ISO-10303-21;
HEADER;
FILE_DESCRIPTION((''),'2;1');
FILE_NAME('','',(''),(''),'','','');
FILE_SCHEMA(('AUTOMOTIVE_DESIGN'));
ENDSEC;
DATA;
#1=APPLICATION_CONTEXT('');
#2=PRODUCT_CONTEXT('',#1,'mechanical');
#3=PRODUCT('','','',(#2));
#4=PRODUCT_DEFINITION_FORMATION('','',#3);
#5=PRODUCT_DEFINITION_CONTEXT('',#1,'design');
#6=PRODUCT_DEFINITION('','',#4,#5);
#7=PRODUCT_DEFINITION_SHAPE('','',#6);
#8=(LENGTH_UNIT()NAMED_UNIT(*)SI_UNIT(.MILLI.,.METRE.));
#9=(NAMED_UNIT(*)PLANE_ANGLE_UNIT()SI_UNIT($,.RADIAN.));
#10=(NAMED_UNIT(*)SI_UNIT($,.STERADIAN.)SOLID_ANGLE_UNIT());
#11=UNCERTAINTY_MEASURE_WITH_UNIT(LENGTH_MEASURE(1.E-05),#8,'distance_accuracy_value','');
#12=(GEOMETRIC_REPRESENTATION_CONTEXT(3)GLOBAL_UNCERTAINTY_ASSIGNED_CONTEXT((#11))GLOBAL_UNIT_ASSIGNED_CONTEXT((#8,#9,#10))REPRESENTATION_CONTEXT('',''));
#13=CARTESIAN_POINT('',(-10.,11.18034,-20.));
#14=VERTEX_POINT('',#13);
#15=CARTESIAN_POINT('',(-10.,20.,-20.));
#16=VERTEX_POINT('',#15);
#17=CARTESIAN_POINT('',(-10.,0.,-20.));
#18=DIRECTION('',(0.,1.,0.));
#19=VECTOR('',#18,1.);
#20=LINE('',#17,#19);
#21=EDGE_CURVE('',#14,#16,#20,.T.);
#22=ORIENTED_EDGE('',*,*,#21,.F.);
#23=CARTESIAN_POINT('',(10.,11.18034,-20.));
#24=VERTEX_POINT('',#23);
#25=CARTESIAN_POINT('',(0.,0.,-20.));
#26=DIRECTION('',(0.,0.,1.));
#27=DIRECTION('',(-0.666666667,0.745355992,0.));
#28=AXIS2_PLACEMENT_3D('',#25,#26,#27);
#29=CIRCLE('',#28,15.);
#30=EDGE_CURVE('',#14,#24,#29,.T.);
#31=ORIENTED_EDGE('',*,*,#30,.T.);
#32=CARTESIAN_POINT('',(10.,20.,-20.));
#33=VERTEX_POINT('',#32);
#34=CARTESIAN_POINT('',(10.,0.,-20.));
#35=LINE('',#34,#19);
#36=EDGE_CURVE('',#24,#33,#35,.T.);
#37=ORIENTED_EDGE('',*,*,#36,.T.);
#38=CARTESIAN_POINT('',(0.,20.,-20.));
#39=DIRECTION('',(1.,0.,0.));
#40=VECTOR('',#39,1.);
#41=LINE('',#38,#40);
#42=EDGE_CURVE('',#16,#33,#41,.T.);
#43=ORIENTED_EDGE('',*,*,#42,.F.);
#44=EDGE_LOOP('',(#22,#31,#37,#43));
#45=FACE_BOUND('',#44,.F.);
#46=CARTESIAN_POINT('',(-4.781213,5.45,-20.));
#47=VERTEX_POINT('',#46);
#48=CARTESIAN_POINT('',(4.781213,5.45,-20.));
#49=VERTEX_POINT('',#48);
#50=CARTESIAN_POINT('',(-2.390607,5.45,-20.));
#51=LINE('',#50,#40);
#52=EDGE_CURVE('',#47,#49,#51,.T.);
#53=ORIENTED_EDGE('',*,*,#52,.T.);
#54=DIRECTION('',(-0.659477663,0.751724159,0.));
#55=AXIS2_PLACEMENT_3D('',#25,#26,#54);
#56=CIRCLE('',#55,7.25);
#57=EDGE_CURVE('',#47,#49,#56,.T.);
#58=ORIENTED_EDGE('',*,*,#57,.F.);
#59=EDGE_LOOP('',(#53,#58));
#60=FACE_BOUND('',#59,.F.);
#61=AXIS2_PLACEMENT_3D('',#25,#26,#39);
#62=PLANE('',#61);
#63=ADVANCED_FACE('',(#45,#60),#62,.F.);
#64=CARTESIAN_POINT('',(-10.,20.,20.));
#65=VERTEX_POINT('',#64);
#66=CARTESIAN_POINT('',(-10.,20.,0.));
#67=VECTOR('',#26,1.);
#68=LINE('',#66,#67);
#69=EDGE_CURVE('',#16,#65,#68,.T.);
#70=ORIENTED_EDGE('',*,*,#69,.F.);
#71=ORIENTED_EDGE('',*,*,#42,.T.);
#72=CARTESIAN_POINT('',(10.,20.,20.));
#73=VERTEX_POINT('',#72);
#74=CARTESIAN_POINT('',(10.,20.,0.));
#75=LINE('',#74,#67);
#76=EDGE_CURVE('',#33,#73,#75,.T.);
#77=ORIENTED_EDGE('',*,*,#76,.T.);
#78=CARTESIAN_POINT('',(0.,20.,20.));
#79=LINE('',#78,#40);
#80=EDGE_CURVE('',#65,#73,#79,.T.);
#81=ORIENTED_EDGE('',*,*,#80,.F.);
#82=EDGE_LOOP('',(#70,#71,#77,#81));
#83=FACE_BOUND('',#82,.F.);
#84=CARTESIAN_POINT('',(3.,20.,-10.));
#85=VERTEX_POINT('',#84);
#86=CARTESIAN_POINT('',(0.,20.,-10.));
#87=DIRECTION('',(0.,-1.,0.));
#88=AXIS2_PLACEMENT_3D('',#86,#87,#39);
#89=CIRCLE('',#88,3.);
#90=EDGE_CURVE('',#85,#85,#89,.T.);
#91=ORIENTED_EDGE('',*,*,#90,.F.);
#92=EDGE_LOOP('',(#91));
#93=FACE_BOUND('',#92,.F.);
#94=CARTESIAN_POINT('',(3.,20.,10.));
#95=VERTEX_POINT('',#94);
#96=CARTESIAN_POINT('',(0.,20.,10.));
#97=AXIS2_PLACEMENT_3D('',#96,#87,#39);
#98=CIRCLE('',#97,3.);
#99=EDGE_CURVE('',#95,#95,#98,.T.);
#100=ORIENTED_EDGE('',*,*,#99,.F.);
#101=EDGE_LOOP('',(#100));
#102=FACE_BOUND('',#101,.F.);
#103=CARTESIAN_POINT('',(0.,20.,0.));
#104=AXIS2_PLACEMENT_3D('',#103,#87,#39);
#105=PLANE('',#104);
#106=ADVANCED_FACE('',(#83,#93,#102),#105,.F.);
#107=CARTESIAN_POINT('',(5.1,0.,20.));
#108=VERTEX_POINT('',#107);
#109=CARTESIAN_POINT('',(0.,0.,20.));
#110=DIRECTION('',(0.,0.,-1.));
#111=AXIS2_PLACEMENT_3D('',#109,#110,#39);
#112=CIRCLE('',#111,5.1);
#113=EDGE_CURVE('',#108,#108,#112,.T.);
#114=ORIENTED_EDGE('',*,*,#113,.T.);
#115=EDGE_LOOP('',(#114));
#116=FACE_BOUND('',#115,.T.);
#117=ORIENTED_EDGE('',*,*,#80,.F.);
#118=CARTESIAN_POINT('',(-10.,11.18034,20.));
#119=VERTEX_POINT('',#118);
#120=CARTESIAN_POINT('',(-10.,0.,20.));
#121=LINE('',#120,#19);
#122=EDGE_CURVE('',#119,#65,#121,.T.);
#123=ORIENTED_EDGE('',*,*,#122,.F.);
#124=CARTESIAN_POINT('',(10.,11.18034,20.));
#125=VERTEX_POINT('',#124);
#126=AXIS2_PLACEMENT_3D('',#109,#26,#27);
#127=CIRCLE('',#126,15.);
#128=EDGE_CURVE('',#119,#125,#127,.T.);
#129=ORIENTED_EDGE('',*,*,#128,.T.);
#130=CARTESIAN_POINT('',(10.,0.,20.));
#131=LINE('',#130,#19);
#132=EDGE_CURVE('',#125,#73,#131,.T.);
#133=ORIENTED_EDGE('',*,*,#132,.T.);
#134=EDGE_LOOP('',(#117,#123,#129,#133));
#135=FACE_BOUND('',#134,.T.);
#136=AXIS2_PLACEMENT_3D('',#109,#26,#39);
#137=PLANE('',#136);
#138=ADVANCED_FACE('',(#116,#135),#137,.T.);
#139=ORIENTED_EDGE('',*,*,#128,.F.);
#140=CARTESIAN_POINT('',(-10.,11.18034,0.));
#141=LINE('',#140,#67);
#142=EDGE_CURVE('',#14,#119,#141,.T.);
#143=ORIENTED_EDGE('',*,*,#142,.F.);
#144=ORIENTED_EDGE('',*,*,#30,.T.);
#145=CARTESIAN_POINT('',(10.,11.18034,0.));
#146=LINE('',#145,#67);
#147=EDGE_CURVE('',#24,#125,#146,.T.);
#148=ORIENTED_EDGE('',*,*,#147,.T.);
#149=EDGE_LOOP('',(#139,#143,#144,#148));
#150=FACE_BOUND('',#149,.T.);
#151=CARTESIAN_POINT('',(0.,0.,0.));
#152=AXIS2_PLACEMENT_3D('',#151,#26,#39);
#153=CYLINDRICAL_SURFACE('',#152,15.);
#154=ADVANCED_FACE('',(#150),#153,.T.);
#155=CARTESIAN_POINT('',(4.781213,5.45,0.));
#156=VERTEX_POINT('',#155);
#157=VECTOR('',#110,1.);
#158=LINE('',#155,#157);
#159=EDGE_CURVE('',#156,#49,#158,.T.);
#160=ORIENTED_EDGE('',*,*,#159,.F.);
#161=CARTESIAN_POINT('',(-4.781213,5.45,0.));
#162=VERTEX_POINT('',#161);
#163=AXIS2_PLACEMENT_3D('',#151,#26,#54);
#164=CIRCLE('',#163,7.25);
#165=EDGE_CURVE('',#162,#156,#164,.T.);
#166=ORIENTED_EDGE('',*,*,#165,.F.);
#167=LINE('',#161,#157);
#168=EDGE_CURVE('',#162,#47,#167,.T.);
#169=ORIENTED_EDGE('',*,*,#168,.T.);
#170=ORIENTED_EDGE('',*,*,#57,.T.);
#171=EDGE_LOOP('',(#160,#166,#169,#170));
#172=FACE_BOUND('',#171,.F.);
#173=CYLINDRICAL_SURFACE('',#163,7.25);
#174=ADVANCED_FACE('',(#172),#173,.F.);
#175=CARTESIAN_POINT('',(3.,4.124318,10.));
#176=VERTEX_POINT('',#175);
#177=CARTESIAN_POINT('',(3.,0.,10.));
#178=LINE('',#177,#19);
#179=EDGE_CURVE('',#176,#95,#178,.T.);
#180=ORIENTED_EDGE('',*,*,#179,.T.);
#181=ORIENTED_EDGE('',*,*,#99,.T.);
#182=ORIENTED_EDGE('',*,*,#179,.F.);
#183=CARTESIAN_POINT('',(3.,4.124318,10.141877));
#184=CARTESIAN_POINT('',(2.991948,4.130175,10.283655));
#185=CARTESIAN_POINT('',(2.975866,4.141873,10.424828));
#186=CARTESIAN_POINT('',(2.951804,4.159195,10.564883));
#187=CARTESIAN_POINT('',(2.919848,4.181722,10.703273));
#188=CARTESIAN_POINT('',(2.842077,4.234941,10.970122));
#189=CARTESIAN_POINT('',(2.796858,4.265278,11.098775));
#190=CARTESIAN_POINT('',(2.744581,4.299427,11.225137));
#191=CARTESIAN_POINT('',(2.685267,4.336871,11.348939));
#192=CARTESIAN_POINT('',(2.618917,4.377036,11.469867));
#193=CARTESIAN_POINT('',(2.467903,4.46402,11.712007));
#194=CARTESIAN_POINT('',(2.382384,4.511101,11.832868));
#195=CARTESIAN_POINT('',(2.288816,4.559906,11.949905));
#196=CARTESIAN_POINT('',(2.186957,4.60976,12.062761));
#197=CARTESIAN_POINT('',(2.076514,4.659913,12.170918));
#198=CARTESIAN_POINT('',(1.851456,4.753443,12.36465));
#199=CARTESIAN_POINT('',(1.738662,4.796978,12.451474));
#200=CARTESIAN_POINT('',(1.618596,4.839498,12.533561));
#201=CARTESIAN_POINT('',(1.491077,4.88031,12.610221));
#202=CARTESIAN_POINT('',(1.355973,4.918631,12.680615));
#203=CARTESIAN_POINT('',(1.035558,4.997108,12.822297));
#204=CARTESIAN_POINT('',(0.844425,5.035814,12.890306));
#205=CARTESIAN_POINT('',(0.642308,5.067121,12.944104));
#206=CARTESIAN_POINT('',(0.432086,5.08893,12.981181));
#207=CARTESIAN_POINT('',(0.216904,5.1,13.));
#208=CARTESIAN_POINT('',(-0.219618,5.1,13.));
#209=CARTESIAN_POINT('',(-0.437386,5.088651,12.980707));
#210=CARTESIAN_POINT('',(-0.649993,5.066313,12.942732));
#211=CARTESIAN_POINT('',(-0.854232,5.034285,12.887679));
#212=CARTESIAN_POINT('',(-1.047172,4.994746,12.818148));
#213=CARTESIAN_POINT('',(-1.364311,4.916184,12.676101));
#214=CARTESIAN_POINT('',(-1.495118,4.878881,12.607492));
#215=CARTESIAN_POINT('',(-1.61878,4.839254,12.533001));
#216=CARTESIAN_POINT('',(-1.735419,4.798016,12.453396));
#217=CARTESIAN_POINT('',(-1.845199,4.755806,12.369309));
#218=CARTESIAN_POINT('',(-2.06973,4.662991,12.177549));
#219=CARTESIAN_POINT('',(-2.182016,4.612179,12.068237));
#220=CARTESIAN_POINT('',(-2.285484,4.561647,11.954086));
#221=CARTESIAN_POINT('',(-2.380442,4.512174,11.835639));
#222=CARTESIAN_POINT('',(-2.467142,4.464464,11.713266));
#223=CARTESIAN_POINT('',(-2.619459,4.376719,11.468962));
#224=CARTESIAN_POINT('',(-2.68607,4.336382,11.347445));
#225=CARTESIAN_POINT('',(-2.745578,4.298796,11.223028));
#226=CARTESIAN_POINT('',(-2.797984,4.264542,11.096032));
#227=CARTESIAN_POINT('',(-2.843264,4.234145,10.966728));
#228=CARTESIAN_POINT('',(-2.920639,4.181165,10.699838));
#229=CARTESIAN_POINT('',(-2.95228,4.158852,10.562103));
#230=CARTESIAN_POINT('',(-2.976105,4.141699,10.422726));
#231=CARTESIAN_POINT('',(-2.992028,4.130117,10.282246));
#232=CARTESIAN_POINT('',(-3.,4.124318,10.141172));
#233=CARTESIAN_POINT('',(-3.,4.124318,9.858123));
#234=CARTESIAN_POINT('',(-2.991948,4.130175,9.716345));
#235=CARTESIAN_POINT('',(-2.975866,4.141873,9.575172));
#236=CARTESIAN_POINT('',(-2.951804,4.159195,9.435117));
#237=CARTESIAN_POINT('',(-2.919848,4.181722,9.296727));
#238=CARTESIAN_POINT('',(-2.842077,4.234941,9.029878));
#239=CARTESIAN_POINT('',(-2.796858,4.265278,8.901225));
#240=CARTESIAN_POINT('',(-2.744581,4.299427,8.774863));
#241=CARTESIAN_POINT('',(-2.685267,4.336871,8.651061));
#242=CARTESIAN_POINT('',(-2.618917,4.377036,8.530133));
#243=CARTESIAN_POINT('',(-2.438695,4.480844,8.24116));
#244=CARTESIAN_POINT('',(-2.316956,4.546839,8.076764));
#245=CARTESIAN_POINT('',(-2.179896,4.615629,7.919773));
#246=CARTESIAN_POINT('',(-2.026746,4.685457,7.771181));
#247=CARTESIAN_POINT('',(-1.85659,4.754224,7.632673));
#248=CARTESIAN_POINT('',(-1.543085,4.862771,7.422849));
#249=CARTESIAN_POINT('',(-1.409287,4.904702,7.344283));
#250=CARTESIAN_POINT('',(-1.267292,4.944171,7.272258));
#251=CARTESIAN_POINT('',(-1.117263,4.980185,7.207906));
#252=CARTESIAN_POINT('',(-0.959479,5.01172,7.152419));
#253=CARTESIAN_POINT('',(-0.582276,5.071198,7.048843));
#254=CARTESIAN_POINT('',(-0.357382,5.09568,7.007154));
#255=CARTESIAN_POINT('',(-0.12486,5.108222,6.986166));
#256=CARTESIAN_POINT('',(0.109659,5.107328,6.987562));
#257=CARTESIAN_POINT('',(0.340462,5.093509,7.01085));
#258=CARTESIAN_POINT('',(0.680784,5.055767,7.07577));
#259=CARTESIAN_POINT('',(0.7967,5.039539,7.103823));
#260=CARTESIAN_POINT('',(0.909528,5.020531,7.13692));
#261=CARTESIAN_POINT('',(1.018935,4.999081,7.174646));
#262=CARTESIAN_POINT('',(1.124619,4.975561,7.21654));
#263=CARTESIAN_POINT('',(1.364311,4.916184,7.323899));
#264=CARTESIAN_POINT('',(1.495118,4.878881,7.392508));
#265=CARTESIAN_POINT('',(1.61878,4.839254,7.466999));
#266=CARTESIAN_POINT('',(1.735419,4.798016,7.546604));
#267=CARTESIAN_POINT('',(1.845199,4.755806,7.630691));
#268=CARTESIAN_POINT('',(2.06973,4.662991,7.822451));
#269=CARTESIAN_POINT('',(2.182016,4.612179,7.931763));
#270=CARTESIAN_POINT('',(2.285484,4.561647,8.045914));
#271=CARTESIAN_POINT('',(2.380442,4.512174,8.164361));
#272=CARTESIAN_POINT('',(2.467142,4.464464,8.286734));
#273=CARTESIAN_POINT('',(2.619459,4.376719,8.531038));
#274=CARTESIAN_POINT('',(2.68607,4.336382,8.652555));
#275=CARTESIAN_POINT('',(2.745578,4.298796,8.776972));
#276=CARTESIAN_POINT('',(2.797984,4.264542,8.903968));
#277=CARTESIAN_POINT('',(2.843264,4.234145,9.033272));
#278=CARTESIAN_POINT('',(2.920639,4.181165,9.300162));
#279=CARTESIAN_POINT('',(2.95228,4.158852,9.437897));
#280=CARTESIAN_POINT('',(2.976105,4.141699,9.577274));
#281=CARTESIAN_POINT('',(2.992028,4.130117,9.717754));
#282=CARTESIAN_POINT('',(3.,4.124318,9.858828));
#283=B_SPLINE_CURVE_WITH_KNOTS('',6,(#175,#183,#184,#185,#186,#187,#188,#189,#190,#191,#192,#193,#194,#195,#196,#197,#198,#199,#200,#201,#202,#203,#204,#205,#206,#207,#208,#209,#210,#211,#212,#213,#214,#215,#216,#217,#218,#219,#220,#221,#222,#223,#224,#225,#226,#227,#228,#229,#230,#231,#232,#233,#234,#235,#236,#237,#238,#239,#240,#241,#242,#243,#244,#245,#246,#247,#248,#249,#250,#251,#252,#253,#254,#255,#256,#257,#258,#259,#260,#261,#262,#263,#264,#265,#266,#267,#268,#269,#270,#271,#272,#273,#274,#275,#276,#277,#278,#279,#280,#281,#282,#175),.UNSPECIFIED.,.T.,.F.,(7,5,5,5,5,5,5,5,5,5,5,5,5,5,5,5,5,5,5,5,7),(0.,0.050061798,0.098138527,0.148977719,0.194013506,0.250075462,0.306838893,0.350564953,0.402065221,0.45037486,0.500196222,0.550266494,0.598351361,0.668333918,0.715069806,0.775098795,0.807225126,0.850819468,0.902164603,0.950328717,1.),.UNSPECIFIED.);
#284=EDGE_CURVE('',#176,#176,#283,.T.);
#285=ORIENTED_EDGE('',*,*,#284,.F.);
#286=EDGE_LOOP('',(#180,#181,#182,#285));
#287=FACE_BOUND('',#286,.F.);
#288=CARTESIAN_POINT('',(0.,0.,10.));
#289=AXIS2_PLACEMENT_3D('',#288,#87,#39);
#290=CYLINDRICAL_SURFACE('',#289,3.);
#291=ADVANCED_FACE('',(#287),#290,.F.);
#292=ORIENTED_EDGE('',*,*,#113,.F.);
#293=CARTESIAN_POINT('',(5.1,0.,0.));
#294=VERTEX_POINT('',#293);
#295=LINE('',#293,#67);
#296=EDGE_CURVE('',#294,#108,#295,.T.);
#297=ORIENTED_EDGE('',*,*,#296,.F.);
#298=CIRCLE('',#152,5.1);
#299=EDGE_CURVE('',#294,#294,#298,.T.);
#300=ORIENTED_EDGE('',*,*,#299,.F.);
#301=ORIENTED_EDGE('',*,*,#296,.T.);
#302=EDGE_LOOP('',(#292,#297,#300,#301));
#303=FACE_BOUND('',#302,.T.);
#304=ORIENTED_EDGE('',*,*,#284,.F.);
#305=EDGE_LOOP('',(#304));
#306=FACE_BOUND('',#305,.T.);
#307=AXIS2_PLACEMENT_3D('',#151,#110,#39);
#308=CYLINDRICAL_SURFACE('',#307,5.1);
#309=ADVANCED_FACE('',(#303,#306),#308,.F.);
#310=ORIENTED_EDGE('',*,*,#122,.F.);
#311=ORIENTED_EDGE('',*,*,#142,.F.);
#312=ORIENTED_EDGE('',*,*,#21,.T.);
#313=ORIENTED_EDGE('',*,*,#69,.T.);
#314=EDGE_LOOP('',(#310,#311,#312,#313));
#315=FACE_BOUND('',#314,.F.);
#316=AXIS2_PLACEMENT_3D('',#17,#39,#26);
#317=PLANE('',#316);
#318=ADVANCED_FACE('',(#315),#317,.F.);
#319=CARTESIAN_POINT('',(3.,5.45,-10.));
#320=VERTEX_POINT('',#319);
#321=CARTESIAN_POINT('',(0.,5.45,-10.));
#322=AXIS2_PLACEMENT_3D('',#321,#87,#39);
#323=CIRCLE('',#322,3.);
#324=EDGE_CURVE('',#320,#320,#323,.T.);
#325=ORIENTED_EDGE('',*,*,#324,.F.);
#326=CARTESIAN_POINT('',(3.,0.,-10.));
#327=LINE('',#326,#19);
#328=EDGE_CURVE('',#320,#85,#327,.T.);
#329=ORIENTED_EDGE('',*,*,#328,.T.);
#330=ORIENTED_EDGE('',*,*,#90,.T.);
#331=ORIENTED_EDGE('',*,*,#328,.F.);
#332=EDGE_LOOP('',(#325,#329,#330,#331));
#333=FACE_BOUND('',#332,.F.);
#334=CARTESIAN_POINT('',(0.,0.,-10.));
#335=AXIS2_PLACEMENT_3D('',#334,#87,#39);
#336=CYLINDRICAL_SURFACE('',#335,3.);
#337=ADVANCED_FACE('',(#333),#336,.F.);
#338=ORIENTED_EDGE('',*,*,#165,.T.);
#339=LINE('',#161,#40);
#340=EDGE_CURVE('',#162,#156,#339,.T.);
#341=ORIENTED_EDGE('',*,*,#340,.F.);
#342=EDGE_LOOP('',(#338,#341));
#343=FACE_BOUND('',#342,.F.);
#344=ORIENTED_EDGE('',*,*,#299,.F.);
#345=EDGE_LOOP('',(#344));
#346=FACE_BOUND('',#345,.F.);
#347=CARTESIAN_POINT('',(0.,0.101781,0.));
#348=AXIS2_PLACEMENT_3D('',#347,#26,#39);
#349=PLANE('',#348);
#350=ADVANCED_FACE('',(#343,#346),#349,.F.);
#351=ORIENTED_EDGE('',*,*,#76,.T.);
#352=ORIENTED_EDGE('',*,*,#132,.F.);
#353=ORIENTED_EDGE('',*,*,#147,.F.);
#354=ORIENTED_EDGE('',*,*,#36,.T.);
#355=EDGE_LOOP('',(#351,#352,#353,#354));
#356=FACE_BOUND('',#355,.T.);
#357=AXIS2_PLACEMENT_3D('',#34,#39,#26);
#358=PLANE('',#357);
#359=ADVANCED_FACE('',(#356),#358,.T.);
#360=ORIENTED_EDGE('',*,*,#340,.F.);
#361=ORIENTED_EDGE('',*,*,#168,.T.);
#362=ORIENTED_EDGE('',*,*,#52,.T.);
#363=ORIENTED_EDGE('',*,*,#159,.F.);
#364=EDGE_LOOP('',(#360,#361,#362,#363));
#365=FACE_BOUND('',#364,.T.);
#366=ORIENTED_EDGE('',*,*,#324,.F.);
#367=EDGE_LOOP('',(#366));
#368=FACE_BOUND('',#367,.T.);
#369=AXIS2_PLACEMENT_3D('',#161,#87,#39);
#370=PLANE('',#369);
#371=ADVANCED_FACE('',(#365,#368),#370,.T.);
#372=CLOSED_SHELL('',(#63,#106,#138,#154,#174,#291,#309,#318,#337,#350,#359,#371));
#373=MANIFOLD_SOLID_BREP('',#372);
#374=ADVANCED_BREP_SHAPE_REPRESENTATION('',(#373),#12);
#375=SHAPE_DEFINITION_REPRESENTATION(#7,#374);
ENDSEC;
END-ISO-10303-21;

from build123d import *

# Parameters (mm, degrees)
SKETCH_R        = 15
PAD_DEPTH       = 20
SKETCH003_W     = 20
SKETCH003_H     = 40
PAD002_DEPTH    = 20
SKETCH002_R     = 3
POCKET_DEPTH    = 20.001
POCKET001_DEPTH = 20.001
SKETCH005_R     = 5.1
POCKET002_DEPTH = 20.001


with BuildPart() as part:
    # Sketch → Pad (new body, symmetric)
    with BuildSketch(Plane.XY):
        Circle(SKETCH_R)
    extrude(amount=PAD_DEPTH, both=True)

    # Sketch003 → Pad002 (join)
    with BuildSketch(Plane.XZ):
        Rectangle(SKETCH003_W, SKETCH003_H)
    extrude(amount=-PAD002_DEPTH)

    # Sketch002 → Pocket (cut, through all)
    with BuildSketch(Plane.XZ):
        with Locations((0, 10)):
            Circle(SKETCH002_R)
        with Locations((0, -10)):
            Circle(SKETCH002_R)
    extrude(amount=-POCKET_DEPTH, mode=Mode.SUBTRACT)

    # Sketch004 → Pocket001 (cut, through all)
    with BuildSketch(Plane.XY):
        with BuildLine():
            ThreePointArc((-4.781213, 5.45), (0, -7.25), (4.781213, 5.45))
            Line((-4.781213, 5.45), (4.781213, 5.45))
        make_face()
    extrude(amount=-POCKET001_DEPTH, mode=Mode.SUBTRACT)

    # Sketch005 → Pocket002 (cut, through all)
    with BuildSketch(Plane.XY):
        Circle(SKETCH005_R)
    extrude(amount=POCKET002_DEPTH, mode=Mode.SUBTRACT)


solid = part.part
